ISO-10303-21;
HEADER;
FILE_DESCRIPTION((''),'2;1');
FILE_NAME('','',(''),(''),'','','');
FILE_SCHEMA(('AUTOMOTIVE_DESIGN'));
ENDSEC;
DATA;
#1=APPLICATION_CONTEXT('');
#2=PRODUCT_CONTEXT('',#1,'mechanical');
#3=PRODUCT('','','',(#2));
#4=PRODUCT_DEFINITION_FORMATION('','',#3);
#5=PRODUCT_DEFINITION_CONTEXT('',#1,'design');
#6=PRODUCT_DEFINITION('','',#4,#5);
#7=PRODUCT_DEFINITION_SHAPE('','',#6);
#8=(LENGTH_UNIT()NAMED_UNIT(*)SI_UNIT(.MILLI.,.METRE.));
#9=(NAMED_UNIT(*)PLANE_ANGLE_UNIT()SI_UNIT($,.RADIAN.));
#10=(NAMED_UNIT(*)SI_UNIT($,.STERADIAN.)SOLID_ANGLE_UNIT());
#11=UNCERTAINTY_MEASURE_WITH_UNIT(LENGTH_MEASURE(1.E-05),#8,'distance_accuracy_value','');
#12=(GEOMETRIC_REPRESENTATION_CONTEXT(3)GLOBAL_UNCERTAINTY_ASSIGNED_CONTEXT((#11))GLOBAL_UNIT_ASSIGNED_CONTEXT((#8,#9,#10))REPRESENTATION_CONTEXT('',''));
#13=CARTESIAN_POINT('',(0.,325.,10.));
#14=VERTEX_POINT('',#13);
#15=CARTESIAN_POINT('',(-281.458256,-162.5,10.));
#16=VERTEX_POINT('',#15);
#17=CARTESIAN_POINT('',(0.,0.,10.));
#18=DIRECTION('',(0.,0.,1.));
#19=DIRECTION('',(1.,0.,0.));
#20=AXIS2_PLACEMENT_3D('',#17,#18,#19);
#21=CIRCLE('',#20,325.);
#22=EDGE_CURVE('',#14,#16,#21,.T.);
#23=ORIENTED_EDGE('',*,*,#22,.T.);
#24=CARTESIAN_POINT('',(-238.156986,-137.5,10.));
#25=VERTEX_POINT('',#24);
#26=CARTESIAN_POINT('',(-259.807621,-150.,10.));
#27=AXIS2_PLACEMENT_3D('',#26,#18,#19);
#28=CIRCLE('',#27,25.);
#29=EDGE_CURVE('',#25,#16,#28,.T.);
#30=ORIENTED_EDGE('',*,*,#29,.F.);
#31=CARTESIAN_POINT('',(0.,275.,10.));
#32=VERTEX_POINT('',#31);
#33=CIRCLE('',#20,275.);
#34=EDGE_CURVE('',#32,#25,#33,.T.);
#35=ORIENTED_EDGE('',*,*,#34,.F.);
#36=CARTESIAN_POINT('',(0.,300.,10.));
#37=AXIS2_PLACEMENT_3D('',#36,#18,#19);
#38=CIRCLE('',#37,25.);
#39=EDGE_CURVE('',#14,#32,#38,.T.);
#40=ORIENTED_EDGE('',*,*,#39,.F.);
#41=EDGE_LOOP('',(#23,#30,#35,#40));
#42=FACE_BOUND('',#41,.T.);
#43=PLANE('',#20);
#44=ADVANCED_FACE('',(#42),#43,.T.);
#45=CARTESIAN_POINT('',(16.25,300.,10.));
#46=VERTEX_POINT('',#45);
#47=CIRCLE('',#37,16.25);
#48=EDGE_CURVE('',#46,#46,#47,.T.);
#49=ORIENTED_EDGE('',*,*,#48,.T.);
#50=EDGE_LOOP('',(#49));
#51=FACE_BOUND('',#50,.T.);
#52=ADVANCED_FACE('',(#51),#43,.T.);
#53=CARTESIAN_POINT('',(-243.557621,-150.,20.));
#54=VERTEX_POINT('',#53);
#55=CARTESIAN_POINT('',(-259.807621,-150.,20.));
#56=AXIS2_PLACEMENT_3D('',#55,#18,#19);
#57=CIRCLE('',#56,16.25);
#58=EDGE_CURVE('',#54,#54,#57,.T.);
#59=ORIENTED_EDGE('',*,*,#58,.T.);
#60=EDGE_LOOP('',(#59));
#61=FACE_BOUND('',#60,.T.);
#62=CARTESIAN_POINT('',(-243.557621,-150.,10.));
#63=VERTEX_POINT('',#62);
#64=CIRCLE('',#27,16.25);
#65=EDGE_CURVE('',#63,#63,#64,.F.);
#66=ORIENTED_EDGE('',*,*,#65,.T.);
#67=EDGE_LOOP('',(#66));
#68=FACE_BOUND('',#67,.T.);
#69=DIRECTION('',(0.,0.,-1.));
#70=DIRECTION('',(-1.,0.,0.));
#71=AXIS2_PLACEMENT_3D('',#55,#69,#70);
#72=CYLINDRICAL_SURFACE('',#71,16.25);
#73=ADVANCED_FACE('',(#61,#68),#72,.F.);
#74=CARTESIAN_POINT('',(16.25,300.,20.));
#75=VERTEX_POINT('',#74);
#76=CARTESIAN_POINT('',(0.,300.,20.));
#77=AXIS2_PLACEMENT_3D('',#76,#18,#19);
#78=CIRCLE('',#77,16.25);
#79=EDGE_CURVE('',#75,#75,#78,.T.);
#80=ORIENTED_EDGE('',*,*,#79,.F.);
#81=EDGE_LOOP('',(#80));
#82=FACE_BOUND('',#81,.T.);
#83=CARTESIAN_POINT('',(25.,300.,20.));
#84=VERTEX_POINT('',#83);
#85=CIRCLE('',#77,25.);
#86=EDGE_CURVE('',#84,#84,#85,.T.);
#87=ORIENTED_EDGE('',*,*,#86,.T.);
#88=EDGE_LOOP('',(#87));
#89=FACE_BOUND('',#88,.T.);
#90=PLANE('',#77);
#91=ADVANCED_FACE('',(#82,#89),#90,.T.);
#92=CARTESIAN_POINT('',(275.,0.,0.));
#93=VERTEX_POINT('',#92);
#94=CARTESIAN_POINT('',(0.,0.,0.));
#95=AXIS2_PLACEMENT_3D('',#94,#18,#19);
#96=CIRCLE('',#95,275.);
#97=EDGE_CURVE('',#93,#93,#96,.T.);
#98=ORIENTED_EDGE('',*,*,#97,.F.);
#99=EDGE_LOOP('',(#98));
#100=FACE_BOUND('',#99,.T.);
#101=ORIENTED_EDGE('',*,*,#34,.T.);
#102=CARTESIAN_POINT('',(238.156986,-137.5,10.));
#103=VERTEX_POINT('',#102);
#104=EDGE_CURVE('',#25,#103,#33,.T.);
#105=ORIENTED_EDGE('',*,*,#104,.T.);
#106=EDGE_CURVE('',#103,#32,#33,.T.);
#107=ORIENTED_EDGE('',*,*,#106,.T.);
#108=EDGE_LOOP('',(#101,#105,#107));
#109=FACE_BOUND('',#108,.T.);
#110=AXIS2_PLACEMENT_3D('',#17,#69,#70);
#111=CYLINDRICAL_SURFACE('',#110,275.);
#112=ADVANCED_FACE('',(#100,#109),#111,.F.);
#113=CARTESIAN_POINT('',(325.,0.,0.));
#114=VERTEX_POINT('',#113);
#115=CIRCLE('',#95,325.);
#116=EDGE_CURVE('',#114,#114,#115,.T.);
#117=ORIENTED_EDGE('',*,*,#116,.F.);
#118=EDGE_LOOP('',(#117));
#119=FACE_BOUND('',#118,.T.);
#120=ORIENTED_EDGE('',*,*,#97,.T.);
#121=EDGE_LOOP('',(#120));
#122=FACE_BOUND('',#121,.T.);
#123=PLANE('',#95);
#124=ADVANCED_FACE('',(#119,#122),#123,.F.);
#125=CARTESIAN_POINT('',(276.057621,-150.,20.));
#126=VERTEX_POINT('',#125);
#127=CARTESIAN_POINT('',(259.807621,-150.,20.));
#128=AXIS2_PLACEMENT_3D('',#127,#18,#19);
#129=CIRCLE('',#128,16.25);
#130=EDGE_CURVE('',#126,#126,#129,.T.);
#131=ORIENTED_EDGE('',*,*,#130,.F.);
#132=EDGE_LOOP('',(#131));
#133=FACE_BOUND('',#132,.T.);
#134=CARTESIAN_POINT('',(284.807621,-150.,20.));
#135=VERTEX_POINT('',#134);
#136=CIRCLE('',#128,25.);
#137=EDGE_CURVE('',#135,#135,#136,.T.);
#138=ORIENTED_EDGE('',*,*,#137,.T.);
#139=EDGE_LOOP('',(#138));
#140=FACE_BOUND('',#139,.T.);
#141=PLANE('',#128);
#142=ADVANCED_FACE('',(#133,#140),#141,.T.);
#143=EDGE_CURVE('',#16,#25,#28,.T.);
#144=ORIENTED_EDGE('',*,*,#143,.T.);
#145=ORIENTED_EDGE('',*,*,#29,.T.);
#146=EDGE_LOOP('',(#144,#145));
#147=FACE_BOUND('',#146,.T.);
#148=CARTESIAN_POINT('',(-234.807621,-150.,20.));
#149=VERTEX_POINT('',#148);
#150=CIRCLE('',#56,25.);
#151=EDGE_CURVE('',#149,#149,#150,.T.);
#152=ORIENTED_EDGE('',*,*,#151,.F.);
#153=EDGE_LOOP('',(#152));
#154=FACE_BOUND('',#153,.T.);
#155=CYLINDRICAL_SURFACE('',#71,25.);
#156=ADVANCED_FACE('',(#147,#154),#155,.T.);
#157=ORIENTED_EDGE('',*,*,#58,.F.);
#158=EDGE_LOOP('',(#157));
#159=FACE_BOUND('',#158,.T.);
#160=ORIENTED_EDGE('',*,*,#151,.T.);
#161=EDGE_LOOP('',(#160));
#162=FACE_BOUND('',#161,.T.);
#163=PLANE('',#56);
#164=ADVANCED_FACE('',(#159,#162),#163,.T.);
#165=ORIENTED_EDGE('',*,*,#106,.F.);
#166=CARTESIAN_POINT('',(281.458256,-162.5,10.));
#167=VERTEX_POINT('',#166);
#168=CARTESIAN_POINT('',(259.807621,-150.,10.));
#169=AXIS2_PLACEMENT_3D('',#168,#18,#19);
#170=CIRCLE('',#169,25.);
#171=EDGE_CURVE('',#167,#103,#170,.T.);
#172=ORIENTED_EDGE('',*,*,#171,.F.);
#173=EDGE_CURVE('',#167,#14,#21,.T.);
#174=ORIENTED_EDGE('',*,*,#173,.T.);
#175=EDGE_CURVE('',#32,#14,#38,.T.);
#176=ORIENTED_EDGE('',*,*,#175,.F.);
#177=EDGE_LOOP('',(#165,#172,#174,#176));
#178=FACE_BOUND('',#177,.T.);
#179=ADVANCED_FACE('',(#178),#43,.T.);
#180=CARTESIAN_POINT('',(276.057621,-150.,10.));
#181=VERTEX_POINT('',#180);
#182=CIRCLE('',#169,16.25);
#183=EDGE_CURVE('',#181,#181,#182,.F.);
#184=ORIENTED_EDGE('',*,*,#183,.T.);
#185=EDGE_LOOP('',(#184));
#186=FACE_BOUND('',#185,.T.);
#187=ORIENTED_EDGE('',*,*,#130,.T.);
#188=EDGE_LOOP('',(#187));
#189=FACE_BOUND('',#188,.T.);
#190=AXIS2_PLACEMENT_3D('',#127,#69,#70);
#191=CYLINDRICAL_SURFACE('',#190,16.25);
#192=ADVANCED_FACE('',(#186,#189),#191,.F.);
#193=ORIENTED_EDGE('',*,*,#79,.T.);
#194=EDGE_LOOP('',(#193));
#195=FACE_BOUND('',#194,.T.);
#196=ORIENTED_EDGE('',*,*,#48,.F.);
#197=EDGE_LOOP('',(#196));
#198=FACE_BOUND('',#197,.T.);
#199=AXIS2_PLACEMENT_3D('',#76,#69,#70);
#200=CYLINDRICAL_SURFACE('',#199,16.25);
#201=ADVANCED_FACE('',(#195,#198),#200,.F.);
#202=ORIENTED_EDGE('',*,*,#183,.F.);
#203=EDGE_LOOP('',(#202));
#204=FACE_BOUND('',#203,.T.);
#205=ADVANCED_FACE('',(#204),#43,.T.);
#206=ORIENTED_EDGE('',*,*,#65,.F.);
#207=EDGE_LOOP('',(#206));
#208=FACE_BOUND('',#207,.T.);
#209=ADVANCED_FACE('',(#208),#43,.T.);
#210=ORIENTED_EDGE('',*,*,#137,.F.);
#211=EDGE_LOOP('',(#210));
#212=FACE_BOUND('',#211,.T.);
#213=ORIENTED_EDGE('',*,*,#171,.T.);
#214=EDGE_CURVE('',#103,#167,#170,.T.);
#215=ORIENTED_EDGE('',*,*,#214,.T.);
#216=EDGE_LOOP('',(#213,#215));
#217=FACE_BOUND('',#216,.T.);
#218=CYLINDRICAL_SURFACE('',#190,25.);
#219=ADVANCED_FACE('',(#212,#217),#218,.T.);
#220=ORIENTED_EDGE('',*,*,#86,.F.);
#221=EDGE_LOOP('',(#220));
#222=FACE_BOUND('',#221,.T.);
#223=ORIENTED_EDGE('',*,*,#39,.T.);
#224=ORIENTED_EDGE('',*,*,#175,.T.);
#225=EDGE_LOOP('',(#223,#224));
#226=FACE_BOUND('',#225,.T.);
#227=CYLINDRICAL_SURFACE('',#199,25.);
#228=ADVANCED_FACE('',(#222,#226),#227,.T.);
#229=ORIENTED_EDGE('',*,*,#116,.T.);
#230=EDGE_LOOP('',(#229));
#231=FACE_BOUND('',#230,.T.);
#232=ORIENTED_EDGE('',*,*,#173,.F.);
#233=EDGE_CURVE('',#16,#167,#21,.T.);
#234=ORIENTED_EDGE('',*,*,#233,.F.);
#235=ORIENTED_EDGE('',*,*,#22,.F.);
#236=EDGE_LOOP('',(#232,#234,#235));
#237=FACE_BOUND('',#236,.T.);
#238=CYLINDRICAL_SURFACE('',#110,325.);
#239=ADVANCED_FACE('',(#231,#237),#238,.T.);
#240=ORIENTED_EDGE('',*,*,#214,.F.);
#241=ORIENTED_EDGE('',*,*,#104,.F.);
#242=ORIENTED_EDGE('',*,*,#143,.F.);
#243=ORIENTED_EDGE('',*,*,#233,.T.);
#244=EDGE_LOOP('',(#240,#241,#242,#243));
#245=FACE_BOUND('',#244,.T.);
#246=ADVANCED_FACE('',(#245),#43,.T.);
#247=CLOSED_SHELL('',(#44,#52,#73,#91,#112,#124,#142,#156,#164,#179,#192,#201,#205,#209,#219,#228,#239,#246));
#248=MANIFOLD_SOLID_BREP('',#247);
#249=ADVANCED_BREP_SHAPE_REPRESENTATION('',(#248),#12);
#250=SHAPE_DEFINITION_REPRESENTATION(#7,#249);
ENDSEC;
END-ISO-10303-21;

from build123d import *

# Parameters (mm, degrees)
SKETCH1_R           = 325
SKETCH1_R_2         = 275
BOSS_EXTRUDE1_DEPTH = 10
SKETCH2_R           = 25
SKETCH2_R_2         = 16.25
BOSS_EXTRUDE2_DEPTH = 10


with BuildPart() as part:
    # Sketch1 → Boss-Extrude1 (new body)
    with BuildSketch(Plane.XY):
        Circle(SKETCH1_R)
        Circle(SKETCH1_R_2, mode=Mode.SUBTRACT)
    extrude(amount=BOSS_EXTRUDE1_DEPTH)

    # Sketch2 → Boss-Extrude2 (add)
    with BuildSketch(Plane.XY.offset(10)):
        with Locations((0, 300)):
            Circle(SKETCH2_R)
        with Locations((0, 300)):
            Circle(SKETCH2_R_2, mode=Mode.SUBTRACT)
        with Locations((259.807621135, -150)):
            Circle(SKETCH2_R)
        with Locations((259.807621135, -150)):
            Circle(SKETCH2_R_2, mode=Mode.SUBTRACT)
        with Locations((-259.807621135, -150)):
            Circle(SKETCH2_R)
        with Locations((-259.807621135, -150)):
            Circle(SKETCH2_R_2, mode=Mode.SUBTRACT)
    extrude(amount=BOSS_EXTRUDE2_DEPTH)


solid = part.part
